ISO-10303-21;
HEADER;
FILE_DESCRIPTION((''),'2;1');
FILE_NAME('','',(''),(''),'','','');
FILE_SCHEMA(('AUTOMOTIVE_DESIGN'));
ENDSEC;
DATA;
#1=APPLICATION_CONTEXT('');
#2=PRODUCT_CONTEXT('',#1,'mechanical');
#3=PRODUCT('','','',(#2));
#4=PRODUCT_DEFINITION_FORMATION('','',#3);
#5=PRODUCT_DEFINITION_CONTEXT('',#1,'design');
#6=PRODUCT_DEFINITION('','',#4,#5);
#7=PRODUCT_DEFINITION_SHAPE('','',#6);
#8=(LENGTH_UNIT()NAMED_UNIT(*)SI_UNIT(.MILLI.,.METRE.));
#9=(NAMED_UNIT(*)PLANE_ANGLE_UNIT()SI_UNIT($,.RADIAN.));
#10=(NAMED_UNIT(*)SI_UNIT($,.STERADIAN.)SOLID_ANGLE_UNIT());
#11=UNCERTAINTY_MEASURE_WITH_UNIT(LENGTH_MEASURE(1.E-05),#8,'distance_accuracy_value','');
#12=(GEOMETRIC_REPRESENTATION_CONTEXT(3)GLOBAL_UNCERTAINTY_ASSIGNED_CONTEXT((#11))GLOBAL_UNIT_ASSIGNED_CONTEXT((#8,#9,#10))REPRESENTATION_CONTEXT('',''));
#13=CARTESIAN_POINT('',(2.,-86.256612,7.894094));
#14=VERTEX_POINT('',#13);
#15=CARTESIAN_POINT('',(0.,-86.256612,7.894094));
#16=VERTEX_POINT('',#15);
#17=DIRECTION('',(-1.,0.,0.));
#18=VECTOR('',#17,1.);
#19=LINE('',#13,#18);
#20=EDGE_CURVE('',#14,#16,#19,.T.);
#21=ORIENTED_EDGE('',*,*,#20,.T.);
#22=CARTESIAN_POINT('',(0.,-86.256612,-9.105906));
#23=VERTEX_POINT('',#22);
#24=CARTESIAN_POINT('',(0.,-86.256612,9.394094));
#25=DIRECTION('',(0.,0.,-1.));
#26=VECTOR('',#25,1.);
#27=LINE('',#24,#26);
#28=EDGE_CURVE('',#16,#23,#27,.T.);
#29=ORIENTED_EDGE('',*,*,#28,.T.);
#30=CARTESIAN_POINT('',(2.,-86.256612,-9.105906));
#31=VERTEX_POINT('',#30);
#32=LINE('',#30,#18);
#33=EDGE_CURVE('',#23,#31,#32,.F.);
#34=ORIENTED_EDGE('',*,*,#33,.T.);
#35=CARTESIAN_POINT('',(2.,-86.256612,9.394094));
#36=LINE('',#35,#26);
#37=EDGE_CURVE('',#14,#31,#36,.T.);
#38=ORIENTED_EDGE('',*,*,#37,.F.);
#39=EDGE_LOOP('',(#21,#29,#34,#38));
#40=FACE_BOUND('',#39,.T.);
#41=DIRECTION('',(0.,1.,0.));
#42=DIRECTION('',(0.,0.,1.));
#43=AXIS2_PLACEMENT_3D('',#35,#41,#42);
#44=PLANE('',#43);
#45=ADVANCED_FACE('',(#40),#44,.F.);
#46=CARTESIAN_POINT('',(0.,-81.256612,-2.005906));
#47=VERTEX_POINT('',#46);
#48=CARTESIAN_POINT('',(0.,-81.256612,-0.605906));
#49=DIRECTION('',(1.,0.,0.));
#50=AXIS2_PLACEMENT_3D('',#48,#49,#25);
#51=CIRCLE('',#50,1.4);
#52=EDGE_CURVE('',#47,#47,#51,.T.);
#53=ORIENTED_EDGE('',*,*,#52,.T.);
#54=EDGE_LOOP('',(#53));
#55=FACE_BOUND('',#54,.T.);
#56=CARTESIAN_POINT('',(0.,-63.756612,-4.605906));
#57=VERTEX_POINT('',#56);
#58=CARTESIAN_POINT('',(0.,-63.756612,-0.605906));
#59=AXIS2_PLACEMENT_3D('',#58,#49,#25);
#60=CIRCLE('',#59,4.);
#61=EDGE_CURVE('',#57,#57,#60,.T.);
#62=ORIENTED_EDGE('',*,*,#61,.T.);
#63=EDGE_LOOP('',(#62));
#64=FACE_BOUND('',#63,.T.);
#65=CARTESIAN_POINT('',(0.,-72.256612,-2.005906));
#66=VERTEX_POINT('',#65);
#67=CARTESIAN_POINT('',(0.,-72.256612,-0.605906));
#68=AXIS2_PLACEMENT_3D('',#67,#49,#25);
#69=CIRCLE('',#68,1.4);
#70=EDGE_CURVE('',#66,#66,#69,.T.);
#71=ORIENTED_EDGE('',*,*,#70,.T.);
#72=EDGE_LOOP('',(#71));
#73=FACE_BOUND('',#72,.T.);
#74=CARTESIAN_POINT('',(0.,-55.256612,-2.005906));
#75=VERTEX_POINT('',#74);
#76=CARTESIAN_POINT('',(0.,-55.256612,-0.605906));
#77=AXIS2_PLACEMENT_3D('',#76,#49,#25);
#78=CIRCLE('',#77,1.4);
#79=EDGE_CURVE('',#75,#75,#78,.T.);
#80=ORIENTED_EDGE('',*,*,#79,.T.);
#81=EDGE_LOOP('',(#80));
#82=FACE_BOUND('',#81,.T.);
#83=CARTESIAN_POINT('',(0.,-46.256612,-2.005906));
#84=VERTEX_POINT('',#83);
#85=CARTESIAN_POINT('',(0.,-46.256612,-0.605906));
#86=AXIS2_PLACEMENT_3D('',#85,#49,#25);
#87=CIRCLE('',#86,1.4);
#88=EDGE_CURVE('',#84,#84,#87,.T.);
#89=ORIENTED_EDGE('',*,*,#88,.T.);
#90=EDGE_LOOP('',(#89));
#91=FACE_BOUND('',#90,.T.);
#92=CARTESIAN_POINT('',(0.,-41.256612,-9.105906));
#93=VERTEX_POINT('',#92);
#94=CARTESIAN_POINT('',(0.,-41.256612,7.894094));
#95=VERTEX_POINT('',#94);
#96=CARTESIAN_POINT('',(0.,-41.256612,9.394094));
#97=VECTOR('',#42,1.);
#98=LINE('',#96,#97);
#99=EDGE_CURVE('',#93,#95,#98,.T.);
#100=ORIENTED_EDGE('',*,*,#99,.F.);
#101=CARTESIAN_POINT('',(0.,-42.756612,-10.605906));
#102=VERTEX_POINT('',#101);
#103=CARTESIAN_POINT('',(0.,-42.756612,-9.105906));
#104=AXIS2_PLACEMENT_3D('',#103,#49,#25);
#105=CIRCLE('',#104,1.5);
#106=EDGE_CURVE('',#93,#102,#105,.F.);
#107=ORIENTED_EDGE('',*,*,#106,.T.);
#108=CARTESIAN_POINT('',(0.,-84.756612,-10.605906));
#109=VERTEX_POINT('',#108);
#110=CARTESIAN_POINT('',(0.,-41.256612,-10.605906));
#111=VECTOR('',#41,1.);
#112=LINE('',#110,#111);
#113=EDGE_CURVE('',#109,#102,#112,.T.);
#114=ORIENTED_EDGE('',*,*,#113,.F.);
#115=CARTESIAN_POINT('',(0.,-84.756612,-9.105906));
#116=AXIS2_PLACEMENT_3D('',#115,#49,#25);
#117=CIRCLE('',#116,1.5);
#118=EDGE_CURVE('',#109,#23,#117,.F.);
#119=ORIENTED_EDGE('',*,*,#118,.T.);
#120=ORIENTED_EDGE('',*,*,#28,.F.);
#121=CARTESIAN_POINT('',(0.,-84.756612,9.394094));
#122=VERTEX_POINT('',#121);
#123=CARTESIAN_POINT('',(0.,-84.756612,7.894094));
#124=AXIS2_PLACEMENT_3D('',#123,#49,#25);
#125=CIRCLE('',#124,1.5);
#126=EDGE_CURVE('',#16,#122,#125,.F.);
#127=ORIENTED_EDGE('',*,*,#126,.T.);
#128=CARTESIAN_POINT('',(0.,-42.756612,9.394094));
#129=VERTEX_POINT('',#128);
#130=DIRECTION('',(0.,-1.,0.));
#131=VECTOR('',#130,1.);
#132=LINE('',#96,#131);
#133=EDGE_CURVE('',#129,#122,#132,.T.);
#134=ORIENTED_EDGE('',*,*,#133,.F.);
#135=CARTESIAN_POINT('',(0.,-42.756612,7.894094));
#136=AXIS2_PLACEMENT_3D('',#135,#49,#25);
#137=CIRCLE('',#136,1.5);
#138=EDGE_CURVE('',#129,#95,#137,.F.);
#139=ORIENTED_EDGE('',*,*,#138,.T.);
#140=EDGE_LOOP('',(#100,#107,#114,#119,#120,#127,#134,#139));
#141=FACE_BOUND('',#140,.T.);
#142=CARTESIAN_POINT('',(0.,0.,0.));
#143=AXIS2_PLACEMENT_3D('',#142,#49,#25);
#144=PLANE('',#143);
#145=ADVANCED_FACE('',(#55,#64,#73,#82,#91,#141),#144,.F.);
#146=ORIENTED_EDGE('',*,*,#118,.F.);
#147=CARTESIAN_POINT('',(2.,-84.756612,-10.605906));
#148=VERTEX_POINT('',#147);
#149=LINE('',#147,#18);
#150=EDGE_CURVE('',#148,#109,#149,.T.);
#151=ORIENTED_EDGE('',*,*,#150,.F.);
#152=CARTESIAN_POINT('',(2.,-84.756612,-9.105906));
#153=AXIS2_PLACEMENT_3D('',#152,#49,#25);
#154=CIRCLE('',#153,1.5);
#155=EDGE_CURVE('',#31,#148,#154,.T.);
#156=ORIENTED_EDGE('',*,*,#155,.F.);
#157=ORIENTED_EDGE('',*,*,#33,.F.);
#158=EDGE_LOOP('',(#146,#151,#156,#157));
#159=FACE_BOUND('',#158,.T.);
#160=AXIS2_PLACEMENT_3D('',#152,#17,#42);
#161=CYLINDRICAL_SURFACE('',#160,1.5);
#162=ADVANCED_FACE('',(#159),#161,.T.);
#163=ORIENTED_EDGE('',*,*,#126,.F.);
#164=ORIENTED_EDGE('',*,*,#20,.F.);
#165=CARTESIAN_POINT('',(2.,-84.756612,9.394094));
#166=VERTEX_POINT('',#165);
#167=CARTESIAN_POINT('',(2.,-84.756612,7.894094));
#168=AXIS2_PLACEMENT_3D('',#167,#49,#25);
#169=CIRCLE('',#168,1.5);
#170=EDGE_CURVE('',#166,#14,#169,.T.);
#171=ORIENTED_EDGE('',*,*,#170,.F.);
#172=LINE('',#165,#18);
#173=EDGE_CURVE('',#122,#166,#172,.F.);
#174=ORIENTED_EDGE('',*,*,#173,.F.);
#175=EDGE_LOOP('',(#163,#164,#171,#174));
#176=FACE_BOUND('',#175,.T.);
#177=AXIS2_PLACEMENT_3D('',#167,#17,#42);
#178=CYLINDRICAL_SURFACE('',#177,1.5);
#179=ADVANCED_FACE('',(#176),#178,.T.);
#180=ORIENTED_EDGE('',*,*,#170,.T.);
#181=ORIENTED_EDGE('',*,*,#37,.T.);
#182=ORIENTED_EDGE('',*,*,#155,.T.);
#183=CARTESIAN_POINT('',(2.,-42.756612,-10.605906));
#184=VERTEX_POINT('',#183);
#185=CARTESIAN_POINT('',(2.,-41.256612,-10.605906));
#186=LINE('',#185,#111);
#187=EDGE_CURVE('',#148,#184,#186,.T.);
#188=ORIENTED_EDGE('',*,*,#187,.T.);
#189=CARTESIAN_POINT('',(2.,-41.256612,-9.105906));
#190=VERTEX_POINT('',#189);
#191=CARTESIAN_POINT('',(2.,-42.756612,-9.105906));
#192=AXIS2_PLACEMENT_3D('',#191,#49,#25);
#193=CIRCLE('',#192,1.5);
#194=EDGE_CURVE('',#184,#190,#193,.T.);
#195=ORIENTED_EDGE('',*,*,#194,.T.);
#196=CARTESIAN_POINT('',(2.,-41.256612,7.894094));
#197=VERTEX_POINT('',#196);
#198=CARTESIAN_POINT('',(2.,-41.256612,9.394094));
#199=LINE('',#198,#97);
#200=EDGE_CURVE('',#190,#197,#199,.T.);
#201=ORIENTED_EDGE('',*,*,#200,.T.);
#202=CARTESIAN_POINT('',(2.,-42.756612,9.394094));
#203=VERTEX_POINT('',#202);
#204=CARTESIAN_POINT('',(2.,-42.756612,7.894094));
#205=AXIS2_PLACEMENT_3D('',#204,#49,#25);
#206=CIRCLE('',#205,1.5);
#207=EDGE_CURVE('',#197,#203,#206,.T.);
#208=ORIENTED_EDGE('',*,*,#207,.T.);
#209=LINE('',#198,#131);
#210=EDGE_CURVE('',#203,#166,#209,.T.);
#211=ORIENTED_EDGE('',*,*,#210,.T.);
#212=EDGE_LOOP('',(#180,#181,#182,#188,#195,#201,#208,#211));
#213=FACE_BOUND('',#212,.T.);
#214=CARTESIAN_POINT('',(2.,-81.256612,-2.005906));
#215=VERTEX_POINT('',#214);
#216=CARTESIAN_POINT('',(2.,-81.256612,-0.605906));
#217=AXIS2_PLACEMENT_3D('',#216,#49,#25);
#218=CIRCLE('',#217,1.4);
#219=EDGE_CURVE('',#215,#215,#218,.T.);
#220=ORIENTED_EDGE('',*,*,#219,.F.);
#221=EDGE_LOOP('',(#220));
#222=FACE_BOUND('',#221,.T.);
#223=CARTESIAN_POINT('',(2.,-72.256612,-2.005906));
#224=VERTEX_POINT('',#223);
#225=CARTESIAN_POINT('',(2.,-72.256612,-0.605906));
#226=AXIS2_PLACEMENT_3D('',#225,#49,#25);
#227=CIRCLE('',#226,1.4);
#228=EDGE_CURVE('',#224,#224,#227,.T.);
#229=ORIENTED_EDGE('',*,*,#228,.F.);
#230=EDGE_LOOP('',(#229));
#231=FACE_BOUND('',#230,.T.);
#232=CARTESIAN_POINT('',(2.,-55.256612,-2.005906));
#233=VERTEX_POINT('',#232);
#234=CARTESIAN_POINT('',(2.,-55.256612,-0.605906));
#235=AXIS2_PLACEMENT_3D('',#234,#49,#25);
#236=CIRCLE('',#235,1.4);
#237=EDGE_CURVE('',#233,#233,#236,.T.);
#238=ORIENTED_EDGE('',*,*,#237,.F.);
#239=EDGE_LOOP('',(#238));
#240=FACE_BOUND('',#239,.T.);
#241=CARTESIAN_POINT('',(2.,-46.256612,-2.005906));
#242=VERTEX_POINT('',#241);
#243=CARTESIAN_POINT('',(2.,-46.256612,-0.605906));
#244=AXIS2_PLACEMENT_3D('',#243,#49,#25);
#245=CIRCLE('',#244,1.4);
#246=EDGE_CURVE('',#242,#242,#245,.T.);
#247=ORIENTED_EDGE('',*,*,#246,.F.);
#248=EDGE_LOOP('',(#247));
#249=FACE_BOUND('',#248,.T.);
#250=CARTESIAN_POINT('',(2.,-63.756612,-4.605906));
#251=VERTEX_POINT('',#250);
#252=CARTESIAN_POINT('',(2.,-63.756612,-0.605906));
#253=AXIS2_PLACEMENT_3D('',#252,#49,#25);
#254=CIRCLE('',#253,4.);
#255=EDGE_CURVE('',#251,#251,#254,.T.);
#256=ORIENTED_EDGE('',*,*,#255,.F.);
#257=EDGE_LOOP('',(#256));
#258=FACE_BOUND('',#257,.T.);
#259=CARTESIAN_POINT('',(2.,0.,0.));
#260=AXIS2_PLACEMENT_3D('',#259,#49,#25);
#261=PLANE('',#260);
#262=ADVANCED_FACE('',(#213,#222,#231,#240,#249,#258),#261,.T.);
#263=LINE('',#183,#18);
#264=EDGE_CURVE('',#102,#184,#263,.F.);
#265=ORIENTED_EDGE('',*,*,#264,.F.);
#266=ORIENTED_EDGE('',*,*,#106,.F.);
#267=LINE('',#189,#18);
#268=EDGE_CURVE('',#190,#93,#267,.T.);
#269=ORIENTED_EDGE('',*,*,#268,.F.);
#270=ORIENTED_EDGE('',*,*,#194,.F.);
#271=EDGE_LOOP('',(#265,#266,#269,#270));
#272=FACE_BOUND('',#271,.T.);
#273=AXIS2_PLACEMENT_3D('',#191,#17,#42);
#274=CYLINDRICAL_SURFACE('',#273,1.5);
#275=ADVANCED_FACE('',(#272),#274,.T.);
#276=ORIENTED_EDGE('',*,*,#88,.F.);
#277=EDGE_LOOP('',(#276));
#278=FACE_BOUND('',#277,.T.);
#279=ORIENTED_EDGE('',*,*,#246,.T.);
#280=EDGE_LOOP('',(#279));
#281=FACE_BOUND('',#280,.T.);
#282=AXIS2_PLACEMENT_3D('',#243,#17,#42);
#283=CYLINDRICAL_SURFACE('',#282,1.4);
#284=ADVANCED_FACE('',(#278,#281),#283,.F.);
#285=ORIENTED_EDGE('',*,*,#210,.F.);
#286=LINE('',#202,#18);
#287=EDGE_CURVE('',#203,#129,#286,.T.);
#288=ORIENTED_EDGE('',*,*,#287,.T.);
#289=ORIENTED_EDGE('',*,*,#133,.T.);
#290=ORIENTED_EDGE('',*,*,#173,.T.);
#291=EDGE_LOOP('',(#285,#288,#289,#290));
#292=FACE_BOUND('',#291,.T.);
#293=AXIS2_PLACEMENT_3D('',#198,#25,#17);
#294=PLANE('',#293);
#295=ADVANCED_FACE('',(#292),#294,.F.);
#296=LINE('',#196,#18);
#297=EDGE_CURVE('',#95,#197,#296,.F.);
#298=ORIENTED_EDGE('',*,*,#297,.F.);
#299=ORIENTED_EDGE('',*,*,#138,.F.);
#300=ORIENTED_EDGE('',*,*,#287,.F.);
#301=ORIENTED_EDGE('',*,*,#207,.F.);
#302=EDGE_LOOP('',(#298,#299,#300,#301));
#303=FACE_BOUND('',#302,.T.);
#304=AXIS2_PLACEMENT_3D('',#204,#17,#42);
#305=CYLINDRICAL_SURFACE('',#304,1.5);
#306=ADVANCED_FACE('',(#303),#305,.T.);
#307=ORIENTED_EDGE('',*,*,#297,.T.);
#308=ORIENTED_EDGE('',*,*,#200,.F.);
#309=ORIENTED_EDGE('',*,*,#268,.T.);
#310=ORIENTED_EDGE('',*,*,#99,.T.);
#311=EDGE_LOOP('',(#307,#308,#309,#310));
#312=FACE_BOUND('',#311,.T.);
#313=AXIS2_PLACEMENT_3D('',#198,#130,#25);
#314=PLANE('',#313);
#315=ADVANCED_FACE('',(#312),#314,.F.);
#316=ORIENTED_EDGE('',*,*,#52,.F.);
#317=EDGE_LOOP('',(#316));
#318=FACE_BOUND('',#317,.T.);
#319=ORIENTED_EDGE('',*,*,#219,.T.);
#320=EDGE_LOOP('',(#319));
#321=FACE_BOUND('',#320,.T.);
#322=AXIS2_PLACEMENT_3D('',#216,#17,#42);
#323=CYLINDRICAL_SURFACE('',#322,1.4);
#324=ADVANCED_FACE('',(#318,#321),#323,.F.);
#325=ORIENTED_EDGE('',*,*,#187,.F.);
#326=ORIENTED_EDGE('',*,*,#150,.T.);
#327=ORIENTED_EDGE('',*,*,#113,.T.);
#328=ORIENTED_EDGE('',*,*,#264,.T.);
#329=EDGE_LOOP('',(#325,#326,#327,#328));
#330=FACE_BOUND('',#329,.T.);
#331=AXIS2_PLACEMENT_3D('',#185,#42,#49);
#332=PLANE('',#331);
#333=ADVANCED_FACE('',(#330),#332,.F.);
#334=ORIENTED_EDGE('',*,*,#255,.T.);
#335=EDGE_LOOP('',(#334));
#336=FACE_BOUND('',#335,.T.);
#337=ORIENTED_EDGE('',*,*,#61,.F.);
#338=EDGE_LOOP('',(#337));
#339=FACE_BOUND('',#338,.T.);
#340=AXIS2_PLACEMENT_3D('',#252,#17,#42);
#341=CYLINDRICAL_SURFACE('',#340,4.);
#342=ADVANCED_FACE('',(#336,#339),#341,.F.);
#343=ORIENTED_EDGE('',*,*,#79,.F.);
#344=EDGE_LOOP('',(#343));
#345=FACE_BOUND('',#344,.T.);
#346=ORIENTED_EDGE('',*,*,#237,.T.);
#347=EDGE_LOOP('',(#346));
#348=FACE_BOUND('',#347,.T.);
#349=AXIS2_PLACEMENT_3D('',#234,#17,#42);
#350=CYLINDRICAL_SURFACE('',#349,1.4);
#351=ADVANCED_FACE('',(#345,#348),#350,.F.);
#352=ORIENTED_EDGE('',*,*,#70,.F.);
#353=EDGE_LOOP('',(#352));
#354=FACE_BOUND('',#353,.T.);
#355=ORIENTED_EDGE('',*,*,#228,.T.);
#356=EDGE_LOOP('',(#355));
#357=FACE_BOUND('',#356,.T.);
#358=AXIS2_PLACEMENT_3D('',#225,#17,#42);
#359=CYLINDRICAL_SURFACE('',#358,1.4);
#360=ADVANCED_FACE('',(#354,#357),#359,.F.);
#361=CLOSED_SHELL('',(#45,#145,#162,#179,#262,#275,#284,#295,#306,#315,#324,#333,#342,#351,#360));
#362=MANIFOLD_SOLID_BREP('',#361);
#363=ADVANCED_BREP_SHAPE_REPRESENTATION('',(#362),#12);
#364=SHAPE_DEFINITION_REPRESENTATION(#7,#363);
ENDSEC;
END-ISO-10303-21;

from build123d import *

# Parameters (mm, degrees)
SKETCH2_W           = 20
SKETCH2_H           = 45
SKETCH2_R           = 4
SKETCH2_R_2         = 1.4
BOSS_EXTRUDE1_DEPTH = 2
FILLET1_R           = 1.5


with BuildPart() as part:
    # Sketch2 → Boss-Extrude1 (new body)
    with BuildSketch(Plane(origin=(0, 0, 0), x_dir=(0, 0, -1), z_dir=(1, 0, 0))):
        with Locations((0.605906028, -63.756611905)):
            Rectangle(SKETCH2_W, SKETCH2_H)
        with Locations((0.605906028, -63.756611905)):
            Circle(SKETCH2_R, mode=Mode.SUBTRACT)
        with Locations((0.605906028, -46.256611905)):
            Circle(SKETCH2_R_2, mode=Mode.SUBTRACT)
        with Locations((0.605906028, -55.256611905)):
            Circle(SKETCH2_R_2, mode=Mode.SUBTRACT)
        with Locations((0.605906028, -72.256611905)):
            Circle(SKETCH2_R_2, mode=Mode.SUBTRACT)
        with Locations((0.605906028, -81.256611905)):
            Circle(SKETCH2_R_2, mode=Mode.SUBTRACT)
    extrude(amount=BOSS_EXTRUDE1_DEPTH)

    # Fillet1
    fillet1_edges = [part.edges().sort_by_distance(p)[0] for p in [
        (1, -41.256611905, 9.394093972),
        (1, -41.256611905, -10.605906028),
        (1, -86.256611905, -10.605906028),
        (1, -86.256611905, 9.394093972),
    ]]
    fillet(fillet1_edges, radius=FILLET1_R)


solid = part.part
